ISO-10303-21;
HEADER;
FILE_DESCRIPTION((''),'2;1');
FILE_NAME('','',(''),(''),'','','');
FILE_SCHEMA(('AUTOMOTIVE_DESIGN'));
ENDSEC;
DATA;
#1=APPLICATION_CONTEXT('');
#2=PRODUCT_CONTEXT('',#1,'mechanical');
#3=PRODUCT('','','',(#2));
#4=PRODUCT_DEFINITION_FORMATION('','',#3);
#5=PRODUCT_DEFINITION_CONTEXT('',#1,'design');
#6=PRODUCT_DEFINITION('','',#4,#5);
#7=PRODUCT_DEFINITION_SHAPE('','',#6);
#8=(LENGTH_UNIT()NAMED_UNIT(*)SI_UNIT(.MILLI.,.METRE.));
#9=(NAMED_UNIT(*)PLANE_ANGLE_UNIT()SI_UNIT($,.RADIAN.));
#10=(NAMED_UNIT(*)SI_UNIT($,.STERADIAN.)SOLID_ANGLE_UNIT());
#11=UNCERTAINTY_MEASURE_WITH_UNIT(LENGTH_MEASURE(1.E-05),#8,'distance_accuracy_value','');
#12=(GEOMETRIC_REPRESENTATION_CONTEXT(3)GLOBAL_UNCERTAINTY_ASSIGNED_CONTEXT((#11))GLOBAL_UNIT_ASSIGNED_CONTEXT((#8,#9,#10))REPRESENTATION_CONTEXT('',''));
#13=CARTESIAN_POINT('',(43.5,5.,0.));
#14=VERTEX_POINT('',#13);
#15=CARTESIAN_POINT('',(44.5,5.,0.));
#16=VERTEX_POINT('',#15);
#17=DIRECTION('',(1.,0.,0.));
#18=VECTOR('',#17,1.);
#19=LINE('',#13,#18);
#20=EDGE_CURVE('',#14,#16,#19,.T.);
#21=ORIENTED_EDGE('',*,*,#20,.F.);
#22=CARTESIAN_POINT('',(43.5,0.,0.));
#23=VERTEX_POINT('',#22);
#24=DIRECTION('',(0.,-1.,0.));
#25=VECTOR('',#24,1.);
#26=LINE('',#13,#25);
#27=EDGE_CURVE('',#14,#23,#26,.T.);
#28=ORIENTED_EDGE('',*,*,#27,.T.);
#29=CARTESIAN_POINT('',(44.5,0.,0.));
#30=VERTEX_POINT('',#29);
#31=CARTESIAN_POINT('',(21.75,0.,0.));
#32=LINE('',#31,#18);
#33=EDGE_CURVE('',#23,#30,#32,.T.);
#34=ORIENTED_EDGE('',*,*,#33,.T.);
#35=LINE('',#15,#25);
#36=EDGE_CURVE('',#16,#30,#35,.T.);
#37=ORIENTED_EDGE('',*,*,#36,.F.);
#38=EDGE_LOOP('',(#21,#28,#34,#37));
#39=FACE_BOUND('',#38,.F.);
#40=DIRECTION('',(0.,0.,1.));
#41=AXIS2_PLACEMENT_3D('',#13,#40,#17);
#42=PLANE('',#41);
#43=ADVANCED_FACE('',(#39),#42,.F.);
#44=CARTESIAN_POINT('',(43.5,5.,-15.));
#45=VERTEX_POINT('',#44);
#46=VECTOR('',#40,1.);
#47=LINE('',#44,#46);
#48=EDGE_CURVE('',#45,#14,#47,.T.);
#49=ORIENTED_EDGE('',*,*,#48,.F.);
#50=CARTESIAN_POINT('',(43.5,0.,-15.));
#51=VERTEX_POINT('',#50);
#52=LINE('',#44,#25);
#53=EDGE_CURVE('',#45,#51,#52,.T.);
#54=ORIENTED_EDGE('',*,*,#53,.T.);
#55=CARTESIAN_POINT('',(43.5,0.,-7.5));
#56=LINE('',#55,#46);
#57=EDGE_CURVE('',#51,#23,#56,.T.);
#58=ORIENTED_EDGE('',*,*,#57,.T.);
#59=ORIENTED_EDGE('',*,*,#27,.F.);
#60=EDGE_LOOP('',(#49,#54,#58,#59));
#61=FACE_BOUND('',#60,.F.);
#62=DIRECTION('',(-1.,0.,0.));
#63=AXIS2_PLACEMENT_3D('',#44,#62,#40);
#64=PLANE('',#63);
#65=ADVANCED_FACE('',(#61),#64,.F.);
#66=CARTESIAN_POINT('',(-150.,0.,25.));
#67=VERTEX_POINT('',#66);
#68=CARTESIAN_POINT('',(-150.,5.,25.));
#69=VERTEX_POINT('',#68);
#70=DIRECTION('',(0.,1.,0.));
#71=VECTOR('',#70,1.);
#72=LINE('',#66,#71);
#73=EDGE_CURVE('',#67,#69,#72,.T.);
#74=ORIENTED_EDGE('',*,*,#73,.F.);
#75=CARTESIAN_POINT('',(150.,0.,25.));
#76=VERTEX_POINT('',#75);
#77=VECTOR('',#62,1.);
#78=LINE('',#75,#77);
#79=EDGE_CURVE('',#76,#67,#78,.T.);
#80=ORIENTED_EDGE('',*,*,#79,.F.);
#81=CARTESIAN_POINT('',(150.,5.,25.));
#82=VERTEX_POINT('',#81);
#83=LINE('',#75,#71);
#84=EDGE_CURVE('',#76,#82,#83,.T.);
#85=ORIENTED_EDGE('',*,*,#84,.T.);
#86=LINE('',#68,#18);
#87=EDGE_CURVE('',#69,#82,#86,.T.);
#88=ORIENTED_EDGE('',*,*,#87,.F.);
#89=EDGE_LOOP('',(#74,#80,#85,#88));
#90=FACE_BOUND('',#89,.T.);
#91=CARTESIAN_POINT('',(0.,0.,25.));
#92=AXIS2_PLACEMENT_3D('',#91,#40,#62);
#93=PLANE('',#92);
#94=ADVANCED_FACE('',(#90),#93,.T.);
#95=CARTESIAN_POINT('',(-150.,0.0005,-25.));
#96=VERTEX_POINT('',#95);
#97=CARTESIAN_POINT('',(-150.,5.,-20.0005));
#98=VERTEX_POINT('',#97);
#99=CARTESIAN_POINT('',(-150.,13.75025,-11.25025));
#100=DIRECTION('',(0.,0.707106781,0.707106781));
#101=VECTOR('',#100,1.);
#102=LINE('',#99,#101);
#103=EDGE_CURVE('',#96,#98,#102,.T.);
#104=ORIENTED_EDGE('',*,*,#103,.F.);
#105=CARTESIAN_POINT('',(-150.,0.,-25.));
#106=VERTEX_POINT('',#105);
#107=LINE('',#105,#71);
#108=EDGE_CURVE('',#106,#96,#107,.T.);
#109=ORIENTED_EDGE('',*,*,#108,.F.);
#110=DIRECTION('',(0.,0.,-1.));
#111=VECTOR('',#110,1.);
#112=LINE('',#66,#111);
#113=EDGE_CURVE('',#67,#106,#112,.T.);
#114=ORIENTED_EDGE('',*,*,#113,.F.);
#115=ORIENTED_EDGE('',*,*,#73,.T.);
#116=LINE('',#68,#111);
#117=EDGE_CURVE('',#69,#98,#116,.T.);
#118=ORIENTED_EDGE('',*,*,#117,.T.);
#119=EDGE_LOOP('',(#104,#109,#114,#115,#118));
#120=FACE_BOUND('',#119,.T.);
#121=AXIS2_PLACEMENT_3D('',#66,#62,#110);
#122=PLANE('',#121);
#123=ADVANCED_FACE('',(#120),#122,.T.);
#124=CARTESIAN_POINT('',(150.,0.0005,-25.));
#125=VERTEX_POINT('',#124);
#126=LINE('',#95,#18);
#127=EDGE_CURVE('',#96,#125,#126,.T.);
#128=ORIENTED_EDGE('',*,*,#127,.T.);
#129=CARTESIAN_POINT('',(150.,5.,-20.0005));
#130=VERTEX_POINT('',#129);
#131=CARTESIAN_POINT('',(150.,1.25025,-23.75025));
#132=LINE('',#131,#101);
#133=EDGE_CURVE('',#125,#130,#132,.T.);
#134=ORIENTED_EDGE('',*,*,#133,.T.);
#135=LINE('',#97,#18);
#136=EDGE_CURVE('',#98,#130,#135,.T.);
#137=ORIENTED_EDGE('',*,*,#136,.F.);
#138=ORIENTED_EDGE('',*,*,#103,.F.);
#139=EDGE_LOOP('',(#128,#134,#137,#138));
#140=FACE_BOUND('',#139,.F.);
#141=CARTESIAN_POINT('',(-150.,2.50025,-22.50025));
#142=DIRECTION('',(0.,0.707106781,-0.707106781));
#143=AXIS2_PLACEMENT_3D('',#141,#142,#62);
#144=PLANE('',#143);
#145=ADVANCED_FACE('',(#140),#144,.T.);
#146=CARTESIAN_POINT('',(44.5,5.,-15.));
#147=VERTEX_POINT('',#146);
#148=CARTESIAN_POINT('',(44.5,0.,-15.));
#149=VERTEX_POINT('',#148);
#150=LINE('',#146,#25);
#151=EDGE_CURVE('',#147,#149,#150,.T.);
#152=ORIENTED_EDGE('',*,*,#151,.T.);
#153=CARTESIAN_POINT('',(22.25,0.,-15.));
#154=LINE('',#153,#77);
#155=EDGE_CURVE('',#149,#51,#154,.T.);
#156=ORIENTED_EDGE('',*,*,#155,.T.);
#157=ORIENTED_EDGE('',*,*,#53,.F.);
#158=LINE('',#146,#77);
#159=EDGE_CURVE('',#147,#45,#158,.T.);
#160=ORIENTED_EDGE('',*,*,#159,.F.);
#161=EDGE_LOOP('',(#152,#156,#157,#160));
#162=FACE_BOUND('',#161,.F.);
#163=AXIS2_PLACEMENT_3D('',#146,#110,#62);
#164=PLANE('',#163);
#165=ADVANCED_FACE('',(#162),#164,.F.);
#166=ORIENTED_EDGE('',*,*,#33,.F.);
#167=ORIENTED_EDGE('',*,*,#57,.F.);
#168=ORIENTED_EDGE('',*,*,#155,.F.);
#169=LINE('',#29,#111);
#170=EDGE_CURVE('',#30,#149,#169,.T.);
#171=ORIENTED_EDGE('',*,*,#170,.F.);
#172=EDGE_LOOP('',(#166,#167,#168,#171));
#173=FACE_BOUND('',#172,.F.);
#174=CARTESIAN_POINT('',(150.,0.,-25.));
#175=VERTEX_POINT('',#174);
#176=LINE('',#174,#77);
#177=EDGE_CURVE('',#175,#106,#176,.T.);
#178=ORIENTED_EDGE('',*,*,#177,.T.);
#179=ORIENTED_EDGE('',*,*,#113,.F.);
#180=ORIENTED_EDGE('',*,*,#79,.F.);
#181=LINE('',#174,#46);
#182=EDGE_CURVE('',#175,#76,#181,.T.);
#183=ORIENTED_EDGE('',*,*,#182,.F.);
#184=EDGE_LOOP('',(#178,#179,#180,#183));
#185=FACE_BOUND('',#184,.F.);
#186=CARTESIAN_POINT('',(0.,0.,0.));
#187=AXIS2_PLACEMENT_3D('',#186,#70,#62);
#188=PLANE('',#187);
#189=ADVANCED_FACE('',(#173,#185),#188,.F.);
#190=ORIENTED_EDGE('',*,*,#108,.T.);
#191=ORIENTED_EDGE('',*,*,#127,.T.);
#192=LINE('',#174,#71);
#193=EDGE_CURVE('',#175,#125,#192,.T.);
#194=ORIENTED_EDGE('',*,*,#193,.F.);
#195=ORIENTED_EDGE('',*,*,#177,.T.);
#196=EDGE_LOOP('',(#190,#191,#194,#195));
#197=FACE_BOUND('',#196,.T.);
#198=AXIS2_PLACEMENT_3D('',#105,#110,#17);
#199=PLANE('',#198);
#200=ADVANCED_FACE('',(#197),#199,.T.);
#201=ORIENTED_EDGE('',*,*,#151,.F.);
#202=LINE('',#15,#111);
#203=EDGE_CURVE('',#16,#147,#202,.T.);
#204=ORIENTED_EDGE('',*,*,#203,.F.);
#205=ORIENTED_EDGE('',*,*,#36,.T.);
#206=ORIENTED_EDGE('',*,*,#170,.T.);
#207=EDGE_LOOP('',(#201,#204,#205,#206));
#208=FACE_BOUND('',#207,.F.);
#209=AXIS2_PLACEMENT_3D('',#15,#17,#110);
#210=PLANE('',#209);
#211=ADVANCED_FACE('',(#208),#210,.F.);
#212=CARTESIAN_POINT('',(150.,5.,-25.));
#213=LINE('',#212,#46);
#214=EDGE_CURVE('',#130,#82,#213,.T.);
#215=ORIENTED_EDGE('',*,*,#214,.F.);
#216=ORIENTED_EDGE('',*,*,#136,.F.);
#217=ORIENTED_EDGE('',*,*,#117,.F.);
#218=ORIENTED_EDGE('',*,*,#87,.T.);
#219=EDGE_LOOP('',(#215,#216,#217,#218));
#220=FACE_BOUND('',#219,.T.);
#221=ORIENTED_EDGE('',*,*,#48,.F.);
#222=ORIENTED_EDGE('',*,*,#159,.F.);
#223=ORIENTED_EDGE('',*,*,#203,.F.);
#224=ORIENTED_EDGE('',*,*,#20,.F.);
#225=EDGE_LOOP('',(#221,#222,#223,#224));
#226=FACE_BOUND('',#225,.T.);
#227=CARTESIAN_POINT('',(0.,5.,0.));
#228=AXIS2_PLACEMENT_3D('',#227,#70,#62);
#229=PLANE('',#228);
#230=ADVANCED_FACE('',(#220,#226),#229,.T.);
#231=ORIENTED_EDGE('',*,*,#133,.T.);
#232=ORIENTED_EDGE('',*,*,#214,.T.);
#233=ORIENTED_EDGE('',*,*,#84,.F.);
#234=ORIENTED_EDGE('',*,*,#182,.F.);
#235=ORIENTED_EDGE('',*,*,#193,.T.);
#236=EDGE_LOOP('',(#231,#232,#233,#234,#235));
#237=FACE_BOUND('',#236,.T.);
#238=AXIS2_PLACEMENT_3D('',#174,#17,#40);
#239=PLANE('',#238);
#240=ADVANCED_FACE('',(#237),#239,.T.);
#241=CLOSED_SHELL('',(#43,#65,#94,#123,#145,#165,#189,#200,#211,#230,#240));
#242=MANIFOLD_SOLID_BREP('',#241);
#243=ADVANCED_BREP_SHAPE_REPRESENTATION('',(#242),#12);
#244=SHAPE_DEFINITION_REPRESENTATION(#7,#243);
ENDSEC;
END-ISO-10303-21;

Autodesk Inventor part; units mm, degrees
ref_plane "YZ Plane" through (0, 0, 0) normal (1, 0, 0) x (0, 1, 0)
ref_plane "XZ Plane" through (0, 0, 0) normal (0, 1, 0) x (-1, 0, 0)
ref_plane "XY Plane" through (0, 0, 0) normal (0, 0, 1) x (1, 0, 0)
sketch "スケッチ1" plane through (0, 0, 0) normal (0, 1, 0) x (-1, 0, 0)
  line L0 (150, -25) -> (-150, -25)
  line L1 (-150, -25) -> (-150, 25)
  line L2 (-150, 25) -> (150, 25)
  line L3 (150, 25) -> (150, -25)
  line L4 (150, -25) -> (-150, 25) construction
  line L5 (-150, -25) -> (150, 25) construction
  line L6 (150, -25) -> (70, -25)
  line L7 (70, -25) -> (70, -60)
  line L8 (70, -60) -> (150, -60)
  line L9 (150, -60) -> (150, -25)
  line L10 (0, 25) -> (0, -116.583)
  line L11 (-70, -25) -> (-70, -60)
  line L12 (-70, -60) -> (-150, -60)
  line L13 (-150, -60) -> (-150, -25)
  point P0 (0, 0)
  dimension "d0" = 300
  dimension "d1" = 50
  dimension "d7" = 80
  dimension "d8" = 35
extrude "押し出し1" add sketch "スケッチ1" along normal blind 5 contours L0 L10 L2 L3 | L0 L1 L2 L10
chamfer "面取り1" distance 5 angle 45 1 edges at (0, 5, -25)
sketch "スケッチ4" plane through (0, 5, 0) normal (0, 1, 0) x (1, 0, 0)
  line L0 (48, 20) -> (40, 20)
  line L1 (40, 20) -> (40, -5)
  line L2 (40, -5) -> (48, -5)
  line L3 (48, -5) -> (48, 20)
  line L4 (43.5, 0) -> (44.5, 0)
  line L5 (44.5, 0) -> (44.5, 15)
  line L6 (44.5, 15) -> (43.5, 15)
  line L7 (43.5, 15) -> (43.5, 0)
  line L8 (-150, 20) -> (150, 20) projected
  point P0 (0, 0)
  point P1 (44, 0)
  point P2 (44, -5)
  point P3 (43.5, 7.5)
  point P4 (40, 7.5)
  dimension "d12" = 8
  dimension "d13" = 25
  dimension "d14" = 1
  dimension "d15" = 15
  dimension "d22" = 40
extrude "押し出し4" cut sketch "スケッチ4" against normal through all contours L7 L6 L5 L4
properties part number "HoriMove" material "スタイロフォームIB"
